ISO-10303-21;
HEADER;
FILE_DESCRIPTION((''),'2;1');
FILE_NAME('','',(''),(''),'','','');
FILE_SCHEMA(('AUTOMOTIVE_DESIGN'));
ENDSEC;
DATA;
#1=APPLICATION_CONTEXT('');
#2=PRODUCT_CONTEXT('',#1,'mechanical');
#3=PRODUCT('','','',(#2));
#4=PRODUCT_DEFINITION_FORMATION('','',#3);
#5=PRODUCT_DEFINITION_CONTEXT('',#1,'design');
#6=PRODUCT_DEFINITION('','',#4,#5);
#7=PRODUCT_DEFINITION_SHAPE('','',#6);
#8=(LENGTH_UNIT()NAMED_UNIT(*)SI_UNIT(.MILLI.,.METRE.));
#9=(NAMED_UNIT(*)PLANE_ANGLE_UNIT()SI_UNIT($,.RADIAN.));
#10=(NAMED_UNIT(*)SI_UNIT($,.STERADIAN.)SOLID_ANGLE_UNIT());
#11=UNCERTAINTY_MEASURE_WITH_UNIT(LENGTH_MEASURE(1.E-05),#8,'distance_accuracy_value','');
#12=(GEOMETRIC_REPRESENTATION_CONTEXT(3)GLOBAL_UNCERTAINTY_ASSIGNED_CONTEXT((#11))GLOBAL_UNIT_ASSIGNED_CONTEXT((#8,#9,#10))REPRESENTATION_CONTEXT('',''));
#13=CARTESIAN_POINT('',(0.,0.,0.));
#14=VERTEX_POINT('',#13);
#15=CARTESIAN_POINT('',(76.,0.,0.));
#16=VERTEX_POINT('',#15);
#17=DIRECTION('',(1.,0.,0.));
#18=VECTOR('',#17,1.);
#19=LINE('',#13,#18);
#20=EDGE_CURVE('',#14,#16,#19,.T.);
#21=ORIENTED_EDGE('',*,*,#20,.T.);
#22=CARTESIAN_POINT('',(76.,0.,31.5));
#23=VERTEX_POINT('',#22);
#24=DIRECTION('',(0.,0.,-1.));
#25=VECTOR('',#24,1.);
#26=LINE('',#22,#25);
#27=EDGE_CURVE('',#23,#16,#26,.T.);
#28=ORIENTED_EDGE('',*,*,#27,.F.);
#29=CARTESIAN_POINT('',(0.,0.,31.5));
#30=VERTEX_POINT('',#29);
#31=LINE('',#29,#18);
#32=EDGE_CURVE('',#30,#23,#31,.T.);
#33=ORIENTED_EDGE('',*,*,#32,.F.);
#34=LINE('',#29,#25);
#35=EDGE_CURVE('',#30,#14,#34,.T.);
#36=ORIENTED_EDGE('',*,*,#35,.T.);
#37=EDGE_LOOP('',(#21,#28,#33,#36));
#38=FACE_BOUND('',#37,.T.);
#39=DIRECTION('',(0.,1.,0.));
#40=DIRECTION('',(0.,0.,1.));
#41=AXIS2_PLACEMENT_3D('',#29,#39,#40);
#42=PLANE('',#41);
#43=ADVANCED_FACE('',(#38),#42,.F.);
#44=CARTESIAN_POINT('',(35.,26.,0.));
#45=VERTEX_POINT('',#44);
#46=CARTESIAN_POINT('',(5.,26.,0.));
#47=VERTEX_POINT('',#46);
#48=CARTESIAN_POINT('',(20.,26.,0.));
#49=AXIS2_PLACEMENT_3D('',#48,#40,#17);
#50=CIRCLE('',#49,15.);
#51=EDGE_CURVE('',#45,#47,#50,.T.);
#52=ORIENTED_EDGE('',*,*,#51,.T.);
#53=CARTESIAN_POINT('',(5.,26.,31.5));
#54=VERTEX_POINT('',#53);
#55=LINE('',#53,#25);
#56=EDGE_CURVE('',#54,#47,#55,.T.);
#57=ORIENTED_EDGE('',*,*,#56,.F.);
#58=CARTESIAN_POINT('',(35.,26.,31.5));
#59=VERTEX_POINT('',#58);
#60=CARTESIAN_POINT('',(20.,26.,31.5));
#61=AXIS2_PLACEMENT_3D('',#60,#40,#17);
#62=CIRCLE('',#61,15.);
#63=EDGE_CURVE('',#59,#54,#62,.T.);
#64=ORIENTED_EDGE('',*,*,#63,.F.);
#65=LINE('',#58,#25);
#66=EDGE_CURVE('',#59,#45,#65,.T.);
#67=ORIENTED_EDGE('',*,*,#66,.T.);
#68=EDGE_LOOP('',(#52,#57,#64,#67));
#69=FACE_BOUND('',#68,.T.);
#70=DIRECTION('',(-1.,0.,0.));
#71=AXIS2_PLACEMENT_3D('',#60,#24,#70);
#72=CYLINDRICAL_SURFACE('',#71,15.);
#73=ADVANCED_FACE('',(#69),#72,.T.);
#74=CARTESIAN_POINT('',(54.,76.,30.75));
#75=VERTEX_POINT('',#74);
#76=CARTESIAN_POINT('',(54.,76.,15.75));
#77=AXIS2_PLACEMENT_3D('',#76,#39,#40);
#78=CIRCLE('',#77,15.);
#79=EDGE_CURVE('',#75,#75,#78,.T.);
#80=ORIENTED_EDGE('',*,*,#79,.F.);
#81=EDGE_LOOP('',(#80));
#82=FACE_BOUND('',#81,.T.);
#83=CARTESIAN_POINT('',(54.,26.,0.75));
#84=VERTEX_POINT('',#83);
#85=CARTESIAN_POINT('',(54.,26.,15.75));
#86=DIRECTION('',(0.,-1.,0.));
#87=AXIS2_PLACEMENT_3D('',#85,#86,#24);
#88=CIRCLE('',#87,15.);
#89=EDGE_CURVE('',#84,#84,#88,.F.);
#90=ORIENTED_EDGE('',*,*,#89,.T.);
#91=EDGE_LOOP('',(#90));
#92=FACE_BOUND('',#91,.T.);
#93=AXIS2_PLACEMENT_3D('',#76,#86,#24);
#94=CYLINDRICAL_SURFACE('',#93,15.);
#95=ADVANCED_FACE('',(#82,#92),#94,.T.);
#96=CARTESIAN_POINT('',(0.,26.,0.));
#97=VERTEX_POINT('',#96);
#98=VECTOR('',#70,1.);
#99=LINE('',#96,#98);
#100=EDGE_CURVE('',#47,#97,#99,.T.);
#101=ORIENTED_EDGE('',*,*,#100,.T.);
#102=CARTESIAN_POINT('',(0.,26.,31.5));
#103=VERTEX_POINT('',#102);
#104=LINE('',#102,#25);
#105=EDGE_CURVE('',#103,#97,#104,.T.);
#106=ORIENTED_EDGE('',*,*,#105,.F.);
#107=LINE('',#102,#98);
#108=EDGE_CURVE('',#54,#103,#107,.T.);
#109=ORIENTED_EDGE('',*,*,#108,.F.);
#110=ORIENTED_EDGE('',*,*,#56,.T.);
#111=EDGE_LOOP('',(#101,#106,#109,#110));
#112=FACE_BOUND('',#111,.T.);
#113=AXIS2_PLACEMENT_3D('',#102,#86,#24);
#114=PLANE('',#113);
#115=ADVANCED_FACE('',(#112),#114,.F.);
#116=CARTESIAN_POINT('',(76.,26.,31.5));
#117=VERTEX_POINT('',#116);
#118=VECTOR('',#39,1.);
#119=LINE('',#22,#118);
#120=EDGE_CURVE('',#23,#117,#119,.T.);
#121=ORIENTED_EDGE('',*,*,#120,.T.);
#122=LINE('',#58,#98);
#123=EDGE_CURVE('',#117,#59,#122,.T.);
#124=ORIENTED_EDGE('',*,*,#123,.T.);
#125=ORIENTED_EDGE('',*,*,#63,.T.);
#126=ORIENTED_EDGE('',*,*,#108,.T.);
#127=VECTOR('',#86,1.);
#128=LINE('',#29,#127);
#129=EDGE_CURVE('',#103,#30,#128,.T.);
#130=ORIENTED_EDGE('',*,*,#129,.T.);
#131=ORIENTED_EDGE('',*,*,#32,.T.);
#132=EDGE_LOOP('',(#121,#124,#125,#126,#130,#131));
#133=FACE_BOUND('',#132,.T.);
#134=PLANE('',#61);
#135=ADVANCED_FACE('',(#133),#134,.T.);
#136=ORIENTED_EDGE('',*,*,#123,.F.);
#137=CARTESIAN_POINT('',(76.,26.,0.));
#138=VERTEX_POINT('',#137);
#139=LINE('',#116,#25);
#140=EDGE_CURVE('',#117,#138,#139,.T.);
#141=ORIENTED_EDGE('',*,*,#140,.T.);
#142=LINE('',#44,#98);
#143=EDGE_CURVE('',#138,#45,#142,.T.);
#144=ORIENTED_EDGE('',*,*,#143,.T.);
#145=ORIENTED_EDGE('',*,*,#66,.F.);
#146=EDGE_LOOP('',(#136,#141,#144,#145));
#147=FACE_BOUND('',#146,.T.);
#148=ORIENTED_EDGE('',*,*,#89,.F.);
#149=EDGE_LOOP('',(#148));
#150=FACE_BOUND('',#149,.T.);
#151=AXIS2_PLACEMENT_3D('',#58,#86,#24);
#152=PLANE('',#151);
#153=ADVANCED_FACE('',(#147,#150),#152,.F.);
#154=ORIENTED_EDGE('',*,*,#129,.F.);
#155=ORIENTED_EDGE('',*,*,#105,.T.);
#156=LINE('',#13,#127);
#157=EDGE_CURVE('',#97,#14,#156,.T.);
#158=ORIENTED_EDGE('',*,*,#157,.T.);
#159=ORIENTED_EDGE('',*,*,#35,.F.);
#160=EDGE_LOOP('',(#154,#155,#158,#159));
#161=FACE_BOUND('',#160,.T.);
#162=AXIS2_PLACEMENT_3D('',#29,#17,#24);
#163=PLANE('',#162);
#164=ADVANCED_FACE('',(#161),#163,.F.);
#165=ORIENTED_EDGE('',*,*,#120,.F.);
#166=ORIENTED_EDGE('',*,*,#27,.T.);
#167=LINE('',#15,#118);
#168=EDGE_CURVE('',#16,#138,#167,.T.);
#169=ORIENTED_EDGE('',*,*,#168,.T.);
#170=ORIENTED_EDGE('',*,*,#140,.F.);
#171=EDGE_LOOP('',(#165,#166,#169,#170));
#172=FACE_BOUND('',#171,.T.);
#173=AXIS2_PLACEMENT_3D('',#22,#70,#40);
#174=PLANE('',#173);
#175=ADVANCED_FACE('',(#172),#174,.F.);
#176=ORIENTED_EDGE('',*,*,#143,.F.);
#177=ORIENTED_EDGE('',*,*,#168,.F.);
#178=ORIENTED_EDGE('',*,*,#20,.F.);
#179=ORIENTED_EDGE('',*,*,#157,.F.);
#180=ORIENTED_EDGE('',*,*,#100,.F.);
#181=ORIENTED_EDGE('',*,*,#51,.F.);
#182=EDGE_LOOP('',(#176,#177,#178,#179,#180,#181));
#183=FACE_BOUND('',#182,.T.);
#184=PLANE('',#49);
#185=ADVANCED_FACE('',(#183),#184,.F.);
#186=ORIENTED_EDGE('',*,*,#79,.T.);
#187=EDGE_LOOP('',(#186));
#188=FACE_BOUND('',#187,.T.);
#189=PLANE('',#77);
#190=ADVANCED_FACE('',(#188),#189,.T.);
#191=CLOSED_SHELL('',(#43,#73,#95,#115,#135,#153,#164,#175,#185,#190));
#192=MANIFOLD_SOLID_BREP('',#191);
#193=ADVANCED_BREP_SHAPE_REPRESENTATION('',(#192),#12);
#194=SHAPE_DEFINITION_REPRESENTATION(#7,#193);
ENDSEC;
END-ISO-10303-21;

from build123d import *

# Parameters (mm, degrees)
BOSS_EXTRU_1_DEPTH = 31.5
ESQUISSE2_R        = 15
BOSS_EXTRU_2_DEPTH = 50


with BuildPart() as part:
    # Esquisse1 → Boss.-Extru.1 (new body)
    with BuildSketch(Plane.XY):
        with BuildLine():
            Line((35, 26), (76, 26))
            Line((76, 26), (76, 0))
            Line((76, 0), (0, 0))
            Line((0, 0), (0, 26))
            Line((0, 26), (5, 26))
            ThreePointArc((5, 26), (20, 41), (35, 26))
        make_face()
    extrude(amount=BOSS_EXTRU_1_DEPTH)

    # Esquisse2 → Boss.-Extru.2 (add)
    with BuildSketch(Plane(origin=(0, 26, 0), x_dir=(1, 0, 0), z_dir=(0, 1, 0))):
        with Locations((54, -15.75)):
            Circle(ESQUISSE2_R)
    extrude(amount=BOSS_EXTRU_2_DEPTH)


solid = part.part
